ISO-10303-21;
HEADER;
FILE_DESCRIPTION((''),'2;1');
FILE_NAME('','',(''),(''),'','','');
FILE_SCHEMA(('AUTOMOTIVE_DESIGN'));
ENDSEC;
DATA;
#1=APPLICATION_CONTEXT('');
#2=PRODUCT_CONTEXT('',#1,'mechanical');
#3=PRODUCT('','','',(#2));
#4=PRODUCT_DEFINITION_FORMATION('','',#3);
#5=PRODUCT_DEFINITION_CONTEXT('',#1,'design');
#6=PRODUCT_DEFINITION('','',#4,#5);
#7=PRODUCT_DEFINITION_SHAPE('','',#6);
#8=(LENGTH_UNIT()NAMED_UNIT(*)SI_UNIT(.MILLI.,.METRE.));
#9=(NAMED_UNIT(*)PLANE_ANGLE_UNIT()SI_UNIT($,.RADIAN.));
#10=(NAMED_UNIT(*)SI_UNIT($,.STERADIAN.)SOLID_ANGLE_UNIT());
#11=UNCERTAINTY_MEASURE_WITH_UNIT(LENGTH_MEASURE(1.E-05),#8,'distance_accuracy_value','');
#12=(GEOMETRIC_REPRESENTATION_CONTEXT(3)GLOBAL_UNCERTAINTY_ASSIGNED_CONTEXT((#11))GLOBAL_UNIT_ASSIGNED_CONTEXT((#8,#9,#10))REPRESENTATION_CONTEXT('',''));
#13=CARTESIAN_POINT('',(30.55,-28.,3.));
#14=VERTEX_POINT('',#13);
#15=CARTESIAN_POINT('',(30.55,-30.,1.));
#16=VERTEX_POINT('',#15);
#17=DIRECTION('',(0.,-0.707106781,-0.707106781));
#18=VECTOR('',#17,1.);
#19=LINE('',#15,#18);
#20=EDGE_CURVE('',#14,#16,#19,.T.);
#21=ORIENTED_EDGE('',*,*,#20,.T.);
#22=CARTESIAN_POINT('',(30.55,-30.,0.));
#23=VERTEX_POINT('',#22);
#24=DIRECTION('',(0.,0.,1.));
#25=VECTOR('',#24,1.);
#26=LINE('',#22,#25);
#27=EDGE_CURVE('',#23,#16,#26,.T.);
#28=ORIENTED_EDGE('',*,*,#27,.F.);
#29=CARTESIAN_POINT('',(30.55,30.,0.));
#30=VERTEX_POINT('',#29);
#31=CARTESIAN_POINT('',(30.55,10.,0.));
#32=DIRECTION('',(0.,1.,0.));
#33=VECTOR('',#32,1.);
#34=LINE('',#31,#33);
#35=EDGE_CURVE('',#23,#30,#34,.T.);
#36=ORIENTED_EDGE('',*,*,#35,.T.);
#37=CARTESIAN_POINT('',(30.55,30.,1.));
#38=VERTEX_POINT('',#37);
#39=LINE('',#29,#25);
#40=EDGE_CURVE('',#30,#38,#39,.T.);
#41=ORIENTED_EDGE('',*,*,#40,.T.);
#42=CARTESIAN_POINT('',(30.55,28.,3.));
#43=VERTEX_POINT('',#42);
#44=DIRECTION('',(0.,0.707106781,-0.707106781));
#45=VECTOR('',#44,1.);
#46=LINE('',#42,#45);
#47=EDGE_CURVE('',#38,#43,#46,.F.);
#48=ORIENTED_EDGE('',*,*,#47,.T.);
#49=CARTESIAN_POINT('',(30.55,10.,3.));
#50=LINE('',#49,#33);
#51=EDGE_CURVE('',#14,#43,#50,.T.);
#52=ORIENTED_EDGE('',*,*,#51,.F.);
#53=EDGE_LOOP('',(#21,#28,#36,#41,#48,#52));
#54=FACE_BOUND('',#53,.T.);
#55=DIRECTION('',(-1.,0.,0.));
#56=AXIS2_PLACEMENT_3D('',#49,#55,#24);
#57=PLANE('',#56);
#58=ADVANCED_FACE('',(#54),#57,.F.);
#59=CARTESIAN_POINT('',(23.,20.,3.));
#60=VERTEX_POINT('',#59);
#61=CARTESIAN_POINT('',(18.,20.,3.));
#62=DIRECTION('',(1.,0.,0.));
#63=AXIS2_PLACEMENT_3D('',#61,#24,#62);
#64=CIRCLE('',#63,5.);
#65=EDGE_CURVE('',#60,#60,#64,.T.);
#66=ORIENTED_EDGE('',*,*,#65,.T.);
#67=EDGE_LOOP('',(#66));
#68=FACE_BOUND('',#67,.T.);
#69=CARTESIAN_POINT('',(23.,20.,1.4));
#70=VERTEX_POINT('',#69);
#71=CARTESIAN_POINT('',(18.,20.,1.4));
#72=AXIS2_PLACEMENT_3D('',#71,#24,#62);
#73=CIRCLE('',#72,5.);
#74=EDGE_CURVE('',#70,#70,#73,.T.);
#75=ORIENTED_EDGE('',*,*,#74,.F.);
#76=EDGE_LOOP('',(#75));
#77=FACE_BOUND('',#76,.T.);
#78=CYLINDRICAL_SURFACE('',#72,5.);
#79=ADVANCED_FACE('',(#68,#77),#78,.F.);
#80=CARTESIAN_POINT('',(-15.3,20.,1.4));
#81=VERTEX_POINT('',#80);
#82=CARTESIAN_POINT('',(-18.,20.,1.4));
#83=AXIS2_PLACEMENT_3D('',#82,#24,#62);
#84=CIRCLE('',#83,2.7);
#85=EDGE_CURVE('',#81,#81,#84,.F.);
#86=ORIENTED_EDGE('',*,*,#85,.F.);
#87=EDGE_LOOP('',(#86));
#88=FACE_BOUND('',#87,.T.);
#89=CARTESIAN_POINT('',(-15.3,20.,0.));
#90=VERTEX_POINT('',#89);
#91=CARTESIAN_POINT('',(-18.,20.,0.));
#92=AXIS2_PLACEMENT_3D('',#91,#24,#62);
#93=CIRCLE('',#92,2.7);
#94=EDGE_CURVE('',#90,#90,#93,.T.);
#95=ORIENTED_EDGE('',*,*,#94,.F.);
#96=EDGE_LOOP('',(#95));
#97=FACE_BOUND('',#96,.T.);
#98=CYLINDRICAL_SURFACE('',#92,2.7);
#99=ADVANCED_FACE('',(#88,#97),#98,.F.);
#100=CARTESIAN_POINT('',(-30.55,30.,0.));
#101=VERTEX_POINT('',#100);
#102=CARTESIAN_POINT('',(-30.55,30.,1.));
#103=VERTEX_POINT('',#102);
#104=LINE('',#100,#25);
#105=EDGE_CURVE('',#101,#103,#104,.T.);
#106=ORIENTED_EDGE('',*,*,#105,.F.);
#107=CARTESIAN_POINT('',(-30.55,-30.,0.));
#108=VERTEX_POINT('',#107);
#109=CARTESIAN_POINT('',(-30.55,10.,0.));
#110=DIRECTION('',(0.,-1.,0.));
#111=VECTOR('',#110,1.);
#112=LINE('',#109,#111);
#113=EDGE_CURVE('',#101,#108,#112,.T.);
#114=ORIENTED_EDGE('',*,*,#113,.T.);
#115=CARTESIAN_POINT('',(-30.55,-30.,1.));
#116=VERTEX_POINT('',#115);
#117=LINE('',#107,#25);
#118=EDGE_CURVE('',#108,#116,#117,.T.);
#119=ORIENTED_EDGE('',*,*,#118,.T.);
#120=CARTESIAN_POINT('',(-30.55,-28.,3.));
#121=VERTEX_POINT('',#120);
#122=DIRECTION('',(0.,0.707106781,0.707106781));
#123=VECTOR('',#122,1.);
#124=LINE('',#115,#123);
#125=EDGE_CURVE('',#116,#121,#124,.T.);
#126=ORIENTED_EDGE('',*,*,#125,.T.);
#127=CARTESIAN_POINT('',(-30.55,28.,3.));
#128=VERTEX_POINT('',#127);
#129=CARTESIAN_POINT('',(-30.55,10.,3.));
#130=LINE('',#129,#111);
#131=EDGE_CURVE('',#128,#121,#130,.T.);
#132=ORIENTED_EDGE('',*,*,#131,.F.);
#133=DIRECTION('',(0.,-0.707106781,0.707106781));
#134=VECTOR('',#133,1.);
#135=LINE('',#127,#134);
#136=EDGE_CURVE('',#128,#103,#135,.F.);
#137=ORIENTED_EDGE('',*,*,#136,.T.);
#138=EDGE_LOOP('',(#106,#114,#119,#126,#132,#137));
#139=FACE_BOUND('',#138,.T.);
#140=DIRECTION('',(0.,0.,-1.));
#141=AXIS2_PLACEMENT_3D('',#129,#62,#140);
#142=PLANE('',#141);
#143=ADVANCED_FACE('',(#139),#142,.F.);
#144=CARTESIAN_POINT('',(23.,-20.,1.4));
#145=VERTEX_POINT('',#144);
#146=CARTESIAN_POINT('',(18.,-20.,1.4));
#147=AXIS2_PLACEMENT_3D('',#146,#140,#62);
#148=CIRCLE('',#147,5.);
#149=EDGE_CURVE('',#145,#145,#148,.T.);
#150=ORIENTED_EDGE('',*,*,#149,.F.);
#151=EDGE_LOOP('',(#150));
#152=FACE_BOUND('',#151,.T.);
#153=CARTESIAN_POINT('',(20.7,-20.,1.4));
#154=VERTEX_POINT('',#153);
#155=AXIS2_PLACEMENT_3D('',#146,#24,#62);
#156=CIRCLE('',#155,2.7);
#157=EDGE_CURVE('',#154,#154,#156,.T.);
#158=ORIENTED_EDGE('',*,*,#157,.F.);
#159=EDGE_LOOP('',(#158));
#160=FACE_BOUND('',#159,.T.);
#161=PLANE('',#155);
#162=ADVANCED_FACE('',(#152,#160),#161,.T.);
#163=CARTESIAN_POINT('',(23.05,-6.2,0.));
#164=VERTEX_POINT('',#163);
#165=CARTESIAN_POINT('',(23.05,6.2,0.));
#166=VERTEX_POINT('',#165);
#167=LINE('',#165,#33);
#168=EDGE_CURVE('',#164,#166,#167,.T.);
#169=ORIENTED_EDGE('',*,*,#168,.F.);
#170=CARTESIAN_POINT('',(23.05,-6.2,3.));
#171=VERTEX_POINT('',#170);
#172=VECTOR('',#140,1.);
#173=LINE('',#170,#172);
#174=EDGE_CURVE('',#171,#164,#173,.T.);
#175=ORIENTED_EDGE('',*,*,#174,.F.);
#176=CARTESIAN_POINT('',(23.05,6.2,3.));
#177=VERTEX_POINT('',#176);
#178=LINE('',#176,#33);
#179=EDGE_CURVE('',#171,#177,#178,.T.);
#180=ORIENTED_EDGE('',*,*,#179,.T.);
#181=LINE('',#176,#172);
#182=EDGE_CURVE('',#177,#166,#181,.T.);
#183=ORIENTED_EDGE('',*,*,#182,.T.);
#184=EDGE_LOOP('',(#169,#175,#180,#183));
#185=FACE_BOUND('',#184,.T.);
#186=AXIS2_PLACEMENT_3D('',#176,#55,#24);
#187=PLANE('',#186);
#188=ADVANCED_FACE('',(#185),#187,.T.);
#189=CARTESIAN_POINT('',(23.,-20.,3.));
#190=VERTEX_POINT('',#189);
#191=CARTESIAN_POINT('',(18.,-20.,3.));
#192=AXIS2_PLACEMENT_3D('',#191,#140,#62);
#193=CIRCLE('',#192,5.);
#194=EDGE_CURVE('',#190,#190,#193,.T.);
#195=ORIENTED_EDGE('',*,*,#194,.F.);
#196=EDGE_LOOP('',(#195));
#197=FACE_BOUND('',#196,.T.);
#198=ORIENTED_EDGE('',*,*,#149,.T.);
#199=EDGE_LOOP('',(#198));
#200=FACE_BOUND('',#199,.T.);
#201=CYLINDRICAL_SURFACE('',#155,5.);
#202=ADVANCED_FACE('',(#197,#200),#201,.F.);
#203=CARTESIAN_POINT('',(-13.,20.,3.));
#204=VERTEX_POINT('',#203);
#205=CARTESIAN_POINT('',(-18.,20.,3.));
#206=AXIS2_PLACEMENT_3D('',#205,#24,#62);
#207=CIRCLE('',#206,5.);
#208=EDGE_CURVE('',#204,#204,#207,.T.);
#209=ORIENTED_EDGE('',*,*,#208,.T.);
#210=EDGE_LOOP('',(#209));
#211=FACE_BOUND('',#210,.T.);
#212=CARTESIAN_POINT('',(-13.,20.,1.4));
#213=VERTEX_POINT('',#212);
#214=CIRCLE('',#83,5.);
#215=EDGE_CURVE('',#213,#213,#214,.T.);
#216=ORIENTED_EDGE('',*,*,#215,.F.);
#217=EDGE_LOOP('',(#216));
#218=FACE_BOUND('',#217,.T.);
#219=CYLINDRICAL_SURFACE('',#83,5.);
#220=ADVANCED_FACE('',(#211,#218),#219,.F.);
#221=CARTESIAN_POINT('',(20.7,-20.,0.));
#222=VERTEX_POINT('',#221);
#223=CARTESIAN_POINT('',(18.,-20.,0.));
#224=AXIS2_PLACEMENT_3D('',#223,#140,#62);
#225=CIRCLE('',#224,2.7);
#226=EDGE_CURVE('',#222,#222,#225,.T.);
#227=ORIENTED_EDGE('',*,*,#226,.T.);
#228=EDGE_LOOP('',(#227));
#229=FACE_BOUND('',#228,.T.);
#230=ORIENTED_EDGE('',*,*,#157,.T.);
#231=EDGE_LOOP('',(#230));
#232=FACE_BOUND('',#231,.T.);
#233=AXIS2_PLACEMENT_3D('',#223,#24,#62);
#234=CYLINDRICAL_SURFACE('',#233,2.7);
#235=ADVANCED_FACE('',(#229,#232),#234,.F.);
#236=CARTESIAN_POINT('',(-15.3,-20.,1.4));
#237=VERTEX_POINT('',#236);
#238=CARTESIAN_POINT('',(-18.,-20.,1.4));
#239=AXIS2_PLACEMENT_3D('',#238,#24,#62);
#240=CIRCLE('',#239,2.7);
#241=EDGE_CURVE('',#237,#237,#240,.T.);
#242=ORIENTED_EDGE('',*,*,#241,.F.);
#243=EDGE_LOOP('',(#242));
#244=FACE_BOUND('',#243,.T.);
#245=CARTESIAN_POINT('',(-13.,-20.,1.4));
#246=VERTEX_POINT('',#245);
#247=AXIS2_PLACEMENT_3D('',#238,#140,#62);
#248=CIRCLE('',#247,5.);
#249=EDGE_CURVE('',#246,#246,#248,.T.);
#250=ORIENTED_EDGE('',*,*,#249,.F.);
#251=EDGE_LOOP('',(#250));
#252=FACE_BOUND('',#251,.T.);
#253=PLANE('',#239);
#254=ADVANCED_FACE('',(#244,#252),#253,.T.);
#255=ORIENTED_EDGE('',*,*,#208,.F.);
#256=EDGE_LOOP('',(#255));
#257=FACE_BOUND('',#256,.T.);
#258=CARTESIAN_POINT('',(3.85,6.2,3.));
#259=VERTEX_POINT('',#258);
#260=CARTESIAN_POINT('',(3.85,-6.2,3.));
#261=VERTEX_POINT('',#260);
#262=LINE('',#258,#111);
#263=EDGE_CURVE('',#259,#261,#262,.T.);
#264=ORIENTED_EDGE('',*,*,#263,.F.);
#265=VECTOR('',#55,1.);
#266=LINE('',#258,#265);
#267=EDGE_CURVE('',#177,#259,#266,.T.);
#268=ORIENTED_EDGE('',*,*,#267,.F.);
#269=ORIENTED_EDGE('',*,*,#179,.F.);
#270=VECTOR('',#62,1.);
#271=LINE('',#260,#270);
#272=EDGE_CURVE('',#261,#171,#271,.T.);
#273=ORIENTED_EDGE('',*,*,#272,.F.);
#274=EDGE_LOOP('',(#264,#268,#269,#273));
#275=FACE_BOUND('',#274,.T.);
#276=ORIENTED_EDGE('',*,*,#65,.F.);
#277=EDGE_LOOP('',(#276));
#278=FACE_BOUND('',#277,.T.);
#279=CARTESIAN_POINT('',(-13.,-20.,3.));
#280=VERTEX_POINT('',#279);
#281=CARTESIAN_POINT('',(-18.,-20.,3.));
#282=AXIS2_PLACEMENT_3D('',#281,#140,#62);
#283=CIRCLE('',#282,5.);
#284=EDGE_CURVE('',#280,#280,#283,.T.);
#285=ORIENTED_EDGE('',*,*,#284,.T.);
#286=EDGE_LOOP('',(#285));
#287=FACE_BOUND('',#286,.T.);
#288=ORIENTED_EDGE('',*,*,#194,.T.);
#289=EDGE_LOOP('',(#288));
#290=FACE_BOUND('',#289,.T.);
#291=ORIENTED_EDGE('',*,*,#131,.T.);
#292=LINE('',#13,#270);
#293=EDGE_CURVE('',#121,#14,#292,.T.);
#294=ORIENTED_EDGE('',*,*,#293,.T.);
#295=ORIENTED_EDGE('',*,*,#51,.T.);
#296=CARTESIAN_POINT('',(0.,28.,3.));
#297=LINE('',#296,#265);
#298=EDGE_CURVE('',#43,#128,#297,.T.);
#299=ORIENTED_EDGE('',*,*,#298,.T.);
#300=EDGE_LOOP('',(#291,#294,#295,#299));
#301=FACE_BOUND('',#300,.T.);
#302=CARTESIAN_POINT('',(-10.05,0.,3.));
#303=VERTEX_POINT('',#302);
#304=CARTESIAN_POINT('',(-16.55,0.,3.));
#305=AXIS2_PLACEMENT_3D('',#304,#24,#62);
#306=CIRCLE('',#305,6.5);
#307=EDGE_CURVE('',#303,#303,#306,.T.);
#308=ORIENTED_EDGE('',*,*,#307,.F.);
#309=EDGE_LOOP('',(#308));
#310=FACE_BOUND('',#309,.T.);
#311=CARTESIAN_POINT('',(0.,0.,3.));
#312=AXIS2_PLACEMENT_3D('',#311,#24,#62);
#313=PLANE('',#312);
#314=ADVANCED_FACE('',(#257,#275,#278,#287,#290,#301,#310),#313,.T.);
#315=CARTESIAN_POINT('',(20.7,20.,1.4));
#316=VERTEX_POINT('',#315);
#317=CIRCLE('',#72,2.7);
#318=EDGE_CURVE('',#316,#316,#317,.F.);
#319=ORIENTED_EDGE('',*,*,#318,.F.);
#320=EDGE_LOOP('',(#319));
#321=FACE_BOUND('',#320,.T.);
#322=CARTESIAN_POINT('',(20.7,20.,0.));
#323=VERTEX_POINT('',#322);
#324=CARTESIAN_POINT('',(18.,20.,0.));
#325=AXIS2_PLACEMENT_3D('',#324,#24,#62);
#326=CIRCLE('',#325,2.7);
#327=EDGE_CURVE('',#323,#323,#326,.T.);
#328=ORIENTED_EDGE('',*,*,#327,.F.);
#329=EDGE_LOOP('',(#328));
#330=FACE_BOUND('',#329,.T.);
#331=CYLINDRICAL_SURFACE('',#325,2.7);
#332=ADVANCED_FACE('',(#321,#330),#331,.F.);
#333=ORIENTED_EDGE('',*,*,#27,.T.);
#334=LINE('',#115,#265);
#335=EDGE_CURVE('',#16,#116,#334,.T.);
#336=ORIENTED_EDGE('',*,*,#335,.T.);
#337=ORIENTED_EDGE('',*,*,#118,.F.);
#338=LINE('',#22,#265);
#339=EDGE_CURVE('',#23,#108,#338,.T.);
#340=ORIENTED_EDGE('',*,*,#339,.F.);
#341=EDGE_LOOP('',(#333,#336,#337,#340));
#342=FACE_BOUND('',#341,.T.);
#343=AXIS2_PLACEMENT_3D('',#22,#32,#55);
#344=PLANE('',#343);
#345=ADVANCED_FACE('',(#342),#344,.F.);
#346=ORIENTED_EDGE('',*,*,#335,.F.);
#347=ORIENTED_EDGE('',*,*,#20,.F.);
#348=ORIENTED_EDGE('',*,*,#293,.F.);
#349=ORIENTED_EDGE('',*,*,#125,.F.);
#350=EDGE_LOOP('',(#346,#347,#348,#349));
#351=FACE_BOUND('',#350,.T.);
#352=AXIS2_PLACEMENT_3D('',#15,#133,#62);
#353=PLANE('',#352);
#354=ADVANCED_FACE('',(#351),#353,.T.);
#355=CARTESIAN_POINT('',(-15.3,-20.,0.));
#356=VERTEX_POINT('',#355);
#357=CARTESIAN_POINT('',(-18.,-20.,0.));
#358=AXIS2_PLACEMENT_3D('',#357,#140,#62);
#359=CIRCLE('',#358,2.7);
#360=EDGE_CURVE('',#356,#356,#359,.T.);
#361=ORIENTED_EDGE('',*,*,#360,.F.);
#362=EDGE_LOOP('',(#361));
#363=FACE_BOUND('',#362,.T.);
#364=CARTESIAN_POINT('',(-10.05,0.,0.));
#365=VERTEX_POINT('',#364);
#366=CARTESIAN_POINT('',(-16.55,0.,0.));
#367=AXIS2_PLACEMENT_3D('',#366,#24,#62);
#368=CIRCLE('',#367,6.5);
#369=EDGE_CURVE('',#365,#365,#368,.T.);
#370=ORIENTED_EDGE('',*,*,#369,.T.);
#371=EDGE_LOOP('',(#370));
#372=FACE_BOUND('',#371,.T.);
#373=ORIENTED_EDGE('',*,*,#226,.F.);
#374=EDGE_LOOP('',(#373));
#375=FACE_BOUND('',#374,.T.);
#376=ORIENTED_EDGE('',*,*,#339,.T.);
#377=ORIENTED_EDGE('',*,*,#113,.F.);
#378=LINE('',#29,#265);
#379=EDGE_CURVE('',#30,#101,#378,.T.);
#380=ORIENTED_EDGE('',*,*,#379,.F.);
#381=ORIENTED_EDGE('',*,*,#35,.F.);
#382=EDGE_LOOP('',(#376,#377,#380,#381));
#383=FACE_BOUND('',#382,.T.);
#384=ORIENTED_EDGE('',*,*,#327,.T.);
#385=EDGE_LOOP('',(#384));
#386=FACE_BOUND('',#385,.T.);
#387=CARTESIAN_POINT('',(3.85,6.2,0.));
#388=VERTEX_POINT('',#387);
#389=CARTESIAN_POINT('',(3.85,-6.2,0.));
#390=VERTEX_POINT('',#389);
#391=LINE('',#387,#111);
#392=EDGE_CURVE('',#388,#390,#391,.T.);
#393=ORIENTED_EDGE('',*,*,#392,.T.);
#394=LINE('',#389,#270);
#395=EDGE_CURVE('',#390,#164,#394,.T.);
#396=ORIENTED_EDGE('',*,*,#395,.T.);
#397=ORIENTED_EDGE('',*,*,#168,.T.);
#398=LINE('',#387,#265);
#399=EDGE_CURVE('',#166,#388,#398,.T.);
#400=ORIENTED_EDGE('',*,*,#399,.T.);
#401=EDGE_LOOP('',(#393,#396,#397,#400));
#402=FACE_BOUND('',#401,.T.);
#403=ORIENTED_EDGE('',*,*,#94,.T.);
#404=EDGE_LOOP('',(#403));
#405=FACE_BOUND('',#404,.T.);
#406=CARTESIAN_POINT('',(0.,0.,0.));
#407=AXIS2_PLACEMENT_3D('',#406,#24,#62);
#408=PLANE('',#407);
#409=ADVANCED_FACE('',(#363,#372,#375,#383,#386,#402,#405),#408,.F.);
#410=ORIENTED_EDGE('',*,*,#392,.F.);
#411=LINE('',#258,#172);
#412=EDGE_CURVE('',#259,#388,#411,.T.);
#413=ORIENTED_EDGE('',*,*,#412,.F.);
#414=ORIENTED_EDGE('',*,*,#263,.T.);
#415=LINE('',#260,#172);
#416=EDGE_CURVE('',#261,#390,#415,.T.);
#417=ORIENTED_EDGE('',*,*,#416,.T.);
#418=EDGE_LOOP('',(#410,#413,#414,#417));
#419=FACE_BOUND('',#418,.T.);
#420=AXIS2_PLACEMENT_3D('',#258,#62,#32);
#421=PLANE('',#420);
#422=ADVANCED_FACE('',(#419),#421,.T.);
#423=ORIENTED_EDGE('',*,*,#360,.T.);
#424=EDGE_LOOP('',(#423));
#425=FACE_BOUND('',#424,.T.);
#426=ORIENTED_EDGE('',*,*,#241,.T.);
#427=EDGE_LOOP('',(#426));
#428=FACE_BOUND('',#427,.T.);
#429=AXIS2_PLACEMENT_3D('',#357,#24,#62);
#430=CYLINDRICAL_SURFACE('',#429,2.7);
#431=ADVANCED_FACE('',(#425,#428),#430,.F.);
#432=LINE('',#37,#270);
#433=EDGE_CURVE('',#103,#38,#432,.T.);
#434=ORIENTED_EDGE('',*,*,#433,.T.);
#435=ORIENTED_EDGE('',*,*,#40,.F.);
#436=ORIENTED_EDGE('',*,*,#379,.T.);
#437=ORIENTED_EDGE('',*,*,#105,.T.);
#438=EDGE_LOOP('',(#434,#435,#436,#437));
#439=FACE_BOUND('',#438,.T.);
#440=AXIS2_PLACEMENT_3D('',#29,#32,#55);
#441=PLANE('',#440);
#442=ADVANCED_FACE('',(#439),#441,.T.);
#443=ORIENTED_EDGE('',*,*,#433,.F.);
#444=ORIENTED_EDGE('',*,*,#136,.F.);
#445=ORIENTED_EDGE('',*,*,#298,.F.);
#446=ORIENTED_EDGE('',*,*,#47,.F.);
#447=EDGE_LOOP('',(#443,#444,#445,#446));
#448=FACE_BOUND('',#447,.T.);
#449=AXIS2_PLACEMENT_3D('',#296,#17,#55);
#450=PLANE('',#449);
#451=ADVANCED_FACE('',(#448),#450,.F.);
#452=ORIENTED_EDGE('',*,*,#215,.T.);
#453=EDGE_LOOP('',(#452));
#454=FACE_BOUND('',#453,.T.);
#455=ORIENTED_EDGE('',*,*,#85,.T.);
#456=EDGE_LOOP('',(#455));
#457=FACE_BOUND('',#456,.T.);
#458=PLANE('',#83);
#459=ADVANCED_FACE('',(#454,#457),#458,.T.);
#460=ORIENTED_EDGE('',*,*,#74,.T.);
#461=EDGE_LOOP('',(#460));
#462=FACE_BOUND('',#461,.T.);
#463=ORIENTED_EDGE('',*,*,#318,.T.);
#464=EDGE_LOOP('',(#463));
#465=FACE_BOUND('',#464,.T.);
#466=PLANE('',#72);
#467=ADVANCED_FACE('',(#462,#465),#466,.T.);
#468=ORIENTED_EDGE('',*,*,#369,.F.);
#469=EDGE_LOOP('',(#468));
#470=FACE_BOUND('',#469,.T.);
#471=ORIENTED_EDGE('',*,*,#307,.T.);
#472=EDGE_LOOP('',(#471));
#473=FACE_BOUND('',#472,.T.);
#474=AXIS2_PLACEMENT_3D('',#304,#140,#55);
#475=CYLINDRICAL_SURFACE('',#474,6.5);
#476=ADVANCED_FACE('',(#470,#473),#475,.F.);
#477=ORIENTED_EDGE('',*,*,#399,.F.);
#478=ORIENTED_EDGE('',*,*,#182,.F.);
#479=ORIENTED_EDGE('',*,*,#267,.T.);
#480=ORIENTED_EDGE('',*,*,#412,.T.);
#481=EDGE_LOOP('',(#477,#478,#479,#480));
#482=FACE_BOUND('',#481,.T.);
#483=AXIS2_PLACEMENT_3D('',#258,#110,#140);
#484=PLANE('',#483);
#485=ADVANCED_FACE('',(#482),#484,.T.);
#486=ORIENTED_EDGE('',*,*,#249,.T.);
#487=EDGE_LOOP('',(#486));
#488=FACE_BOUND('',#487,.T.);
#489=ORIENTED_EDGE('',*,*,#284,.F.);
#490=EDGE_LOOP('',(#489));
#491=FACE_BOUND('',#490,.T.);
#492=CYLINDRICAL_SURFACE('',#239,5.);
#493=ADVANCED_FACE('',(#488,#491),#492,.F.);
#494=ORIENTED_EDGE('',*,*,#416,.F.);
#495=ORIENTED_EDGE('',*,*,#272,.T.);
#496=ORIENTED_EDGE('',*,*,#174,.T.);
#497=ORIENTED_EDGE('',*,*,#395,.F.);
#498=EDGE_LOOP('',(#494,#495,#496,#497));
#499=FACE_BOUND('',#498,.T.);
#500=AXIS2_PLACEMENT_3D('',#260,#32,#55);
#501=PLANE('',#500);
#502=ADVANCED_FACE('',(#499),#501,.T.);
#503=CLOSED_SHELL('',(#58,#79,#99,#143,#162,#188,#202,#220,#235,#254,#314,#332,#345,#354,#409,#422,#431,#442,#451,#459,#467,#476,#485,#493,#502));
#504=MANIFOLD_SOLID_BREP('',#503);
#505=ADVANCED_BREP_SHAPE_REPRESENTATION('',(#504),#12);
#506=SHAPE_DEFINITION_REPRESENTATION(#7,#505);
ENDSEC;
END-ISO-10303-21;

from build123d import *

# Parameters (mm, degrees)
SCHIZZO1_W                   = 61.1
SCHIZZO1_H                   = 20
SCHIZZO1_R                   = 6.5
SCHIZZO1_W_2                 = 19.2
SCHIZZO1_H_2                 = 12.4
ESTRUSIONE_ESTRUSIONE1_DEPTH = 3
SCHIZZO5_W                   = 61.1
SCHIZZO5_H                   = 20
ESTRUSIONE_ESTRUSIONE2_DEPTH = 3
SCHIZZO6_R                   = 2.7
TAGLIO_ESTRUSIONE1_DEPTH     = 3
SCHIZZO7_R                   = 5
TAGLIO_ESTRUSIONE2_DEPTH     = 1.6
SMUSSO1_SIZE                 = 2


with BuildPart() as part:
    # Schizzo1 → Estrusione-Estrusione1 (new body)
    with BuildSketch(Plane.XY):
        Rectangle(SCHIZZO1_W, SCHIZZO1_H)
        with Locations((-16.55, 0)):
            Circle(SCHIZZO1_R, mode=Mode.SUBTRACT)
        with Locations((13.45, 0)):
            Rectangle(SCHIZZO1_W_2, SCHIZZO1_H_2, mode=Mode.SUBTRACT)
    extrude(amount=ESTRUSIONE_ESTRUSIONE1_DEPTH)

    # Schizzo5 → Estrusione-Estrusione2 (add)
    with BuildSketch(Plane.XY.offset(3)):
        with Locations((0, 20)):
            Rectangle(SCHIZZO5_W, SCHIZZO5_H)
    estrusione_estrusione2 = extrude(amount=-ESTRUSIONE_ESTRUSIONE2_DEPTH)

    # Schizzo6 → Taglio-Estrusione1 (cut)
    with BuildSketch(Plane.XY.offset(3)):
        with Locations((-18, 20)):
            Circle(SCHIZZO6_R)
        with Locations((18, 20)):
            Circle(SCHIZZO6_R)
    taglio_estrusione1 = extrude(amount=-TAGLIO_ESTRUSIONE1_DEPTH, mode=Mode.SUBTRACT)

    # Schizzo7 → Taglio-Estrusione2 (cut)
    with BuildSketch(Plane.XY.offset(3)):
        with Locations((-18, 20)):
            Circle(SCHIZZO7_R)
        with Locations((18, 20)):
            Circle(SCHIZZO7_R)
    taglio_estrusione2 = extrude(amount=-TAGLIO_ESTRUSIONE2_DEPTH, mode=Mode.SUBTRACT)

    # Specchia2: Estrusione-Estrusione2, Taglio-Estrusione1, Taglio-Estrusione2 across plane
    add(estrusione_estrusione2.mirror(Plane.ZX))
    add(taglio_estrusione1.mirror(Plane.ZX), mode=Mode.SUBTRACT)
    add(taglio_estrusione2.mirror(Plane.ZX), mode=Mode.SUBTRACT)

    # Smusso1
    smusso1_edges = [part.edges().sort_by_distance(p)[0] for p in [
        (0, 30, 3),
        (0, -30, 3),
    ]]
    chamfer(smusso1_edges, length=SMUSSO1_SIZE)


solid = part.part
